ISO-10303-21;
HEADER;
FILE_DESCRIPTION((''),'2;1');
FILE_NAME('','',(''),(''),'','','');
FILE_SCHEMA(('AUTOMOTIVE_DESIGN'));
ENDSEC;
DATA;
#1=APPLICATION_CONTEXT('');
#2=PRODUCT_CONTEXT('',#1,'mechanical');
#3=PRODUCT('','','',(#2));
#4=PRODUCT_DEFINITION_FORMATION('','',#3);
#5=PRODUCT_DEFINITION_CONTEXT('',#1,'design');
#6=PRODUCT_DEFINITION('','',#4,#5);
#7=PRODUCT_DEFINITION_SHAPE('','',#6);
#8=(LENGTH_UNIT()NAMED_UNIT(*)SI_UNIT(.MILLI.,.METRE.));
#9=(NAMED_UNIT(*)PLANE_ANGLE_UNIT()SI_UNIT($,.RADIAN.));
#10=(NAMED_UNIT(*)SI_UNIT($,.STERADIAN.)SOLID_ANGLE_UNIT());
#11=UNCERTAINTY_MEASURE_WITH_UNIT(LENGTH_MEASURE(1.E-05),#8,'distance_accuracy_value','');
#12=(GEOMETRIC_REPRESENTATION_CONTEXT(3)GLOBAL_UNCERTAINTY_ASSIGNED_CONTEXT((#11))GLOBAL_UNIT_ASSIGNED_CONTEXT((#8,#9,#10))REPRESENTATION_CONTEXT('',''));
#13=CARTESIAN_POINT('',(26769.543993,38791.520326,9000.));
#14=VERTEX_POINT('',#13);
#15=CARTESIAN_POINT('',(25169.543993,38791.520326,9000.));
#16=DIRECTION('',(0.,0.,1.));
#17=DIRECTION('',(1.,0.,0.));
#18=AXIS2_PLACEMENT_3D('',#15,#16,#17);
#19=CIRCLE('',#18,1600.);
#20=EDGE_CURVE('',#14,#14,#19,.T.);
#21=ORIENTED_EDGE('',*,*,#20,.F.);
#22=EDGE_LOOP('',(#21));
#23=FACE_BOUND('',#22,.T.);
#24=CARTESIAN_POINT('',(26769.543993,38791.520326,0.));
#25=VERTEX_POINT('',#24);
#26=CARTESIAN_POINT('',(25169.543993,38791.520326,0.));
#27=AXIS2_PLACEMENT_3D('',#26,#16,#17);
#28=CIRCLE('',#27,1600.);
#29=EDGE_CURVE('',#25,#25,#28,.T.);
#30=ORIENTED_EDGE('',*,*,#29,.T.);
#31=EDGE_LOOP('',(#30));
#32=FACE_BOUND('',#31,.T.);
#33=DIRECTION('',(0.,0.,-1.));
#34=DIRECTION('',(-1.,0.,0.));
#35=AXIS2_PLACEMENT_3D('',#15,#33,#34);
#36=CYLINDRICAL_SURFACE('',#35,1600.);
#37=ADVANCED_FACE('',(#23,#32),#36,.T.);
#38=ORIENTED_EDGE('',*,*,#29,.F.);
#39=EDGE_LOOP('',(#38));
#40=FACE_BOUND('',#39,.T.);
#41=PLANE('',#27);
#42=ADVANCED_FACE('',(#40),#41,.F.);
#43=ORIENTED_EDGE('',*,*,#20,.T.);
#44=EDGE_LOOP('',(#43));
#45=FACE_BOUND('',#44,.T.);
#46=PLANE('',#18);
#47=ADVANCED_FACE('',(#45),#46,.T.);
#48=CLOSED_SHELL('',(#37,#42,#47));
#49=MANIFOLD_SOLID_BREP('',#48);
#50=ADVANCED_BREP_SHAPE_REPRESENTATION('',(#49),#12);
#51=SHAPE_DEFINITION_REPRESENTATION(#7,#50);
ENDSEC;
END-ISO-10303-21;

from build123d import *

# Parameters (mm, degrees)
SKETCH1_R      = 1600
EXTRUDE1_DEPTH = 9000


with BuildPart() as part:
    # Sketch1 → Extrude1 (new body)
    with BuildSketch(Plane.XY):
        with Locations((25169.543993222, 38791.520325868)):
            Circle(SKETCH1_R)
    extrude(amount=EXTRUDE1_DEPTH)


solid = part.part
